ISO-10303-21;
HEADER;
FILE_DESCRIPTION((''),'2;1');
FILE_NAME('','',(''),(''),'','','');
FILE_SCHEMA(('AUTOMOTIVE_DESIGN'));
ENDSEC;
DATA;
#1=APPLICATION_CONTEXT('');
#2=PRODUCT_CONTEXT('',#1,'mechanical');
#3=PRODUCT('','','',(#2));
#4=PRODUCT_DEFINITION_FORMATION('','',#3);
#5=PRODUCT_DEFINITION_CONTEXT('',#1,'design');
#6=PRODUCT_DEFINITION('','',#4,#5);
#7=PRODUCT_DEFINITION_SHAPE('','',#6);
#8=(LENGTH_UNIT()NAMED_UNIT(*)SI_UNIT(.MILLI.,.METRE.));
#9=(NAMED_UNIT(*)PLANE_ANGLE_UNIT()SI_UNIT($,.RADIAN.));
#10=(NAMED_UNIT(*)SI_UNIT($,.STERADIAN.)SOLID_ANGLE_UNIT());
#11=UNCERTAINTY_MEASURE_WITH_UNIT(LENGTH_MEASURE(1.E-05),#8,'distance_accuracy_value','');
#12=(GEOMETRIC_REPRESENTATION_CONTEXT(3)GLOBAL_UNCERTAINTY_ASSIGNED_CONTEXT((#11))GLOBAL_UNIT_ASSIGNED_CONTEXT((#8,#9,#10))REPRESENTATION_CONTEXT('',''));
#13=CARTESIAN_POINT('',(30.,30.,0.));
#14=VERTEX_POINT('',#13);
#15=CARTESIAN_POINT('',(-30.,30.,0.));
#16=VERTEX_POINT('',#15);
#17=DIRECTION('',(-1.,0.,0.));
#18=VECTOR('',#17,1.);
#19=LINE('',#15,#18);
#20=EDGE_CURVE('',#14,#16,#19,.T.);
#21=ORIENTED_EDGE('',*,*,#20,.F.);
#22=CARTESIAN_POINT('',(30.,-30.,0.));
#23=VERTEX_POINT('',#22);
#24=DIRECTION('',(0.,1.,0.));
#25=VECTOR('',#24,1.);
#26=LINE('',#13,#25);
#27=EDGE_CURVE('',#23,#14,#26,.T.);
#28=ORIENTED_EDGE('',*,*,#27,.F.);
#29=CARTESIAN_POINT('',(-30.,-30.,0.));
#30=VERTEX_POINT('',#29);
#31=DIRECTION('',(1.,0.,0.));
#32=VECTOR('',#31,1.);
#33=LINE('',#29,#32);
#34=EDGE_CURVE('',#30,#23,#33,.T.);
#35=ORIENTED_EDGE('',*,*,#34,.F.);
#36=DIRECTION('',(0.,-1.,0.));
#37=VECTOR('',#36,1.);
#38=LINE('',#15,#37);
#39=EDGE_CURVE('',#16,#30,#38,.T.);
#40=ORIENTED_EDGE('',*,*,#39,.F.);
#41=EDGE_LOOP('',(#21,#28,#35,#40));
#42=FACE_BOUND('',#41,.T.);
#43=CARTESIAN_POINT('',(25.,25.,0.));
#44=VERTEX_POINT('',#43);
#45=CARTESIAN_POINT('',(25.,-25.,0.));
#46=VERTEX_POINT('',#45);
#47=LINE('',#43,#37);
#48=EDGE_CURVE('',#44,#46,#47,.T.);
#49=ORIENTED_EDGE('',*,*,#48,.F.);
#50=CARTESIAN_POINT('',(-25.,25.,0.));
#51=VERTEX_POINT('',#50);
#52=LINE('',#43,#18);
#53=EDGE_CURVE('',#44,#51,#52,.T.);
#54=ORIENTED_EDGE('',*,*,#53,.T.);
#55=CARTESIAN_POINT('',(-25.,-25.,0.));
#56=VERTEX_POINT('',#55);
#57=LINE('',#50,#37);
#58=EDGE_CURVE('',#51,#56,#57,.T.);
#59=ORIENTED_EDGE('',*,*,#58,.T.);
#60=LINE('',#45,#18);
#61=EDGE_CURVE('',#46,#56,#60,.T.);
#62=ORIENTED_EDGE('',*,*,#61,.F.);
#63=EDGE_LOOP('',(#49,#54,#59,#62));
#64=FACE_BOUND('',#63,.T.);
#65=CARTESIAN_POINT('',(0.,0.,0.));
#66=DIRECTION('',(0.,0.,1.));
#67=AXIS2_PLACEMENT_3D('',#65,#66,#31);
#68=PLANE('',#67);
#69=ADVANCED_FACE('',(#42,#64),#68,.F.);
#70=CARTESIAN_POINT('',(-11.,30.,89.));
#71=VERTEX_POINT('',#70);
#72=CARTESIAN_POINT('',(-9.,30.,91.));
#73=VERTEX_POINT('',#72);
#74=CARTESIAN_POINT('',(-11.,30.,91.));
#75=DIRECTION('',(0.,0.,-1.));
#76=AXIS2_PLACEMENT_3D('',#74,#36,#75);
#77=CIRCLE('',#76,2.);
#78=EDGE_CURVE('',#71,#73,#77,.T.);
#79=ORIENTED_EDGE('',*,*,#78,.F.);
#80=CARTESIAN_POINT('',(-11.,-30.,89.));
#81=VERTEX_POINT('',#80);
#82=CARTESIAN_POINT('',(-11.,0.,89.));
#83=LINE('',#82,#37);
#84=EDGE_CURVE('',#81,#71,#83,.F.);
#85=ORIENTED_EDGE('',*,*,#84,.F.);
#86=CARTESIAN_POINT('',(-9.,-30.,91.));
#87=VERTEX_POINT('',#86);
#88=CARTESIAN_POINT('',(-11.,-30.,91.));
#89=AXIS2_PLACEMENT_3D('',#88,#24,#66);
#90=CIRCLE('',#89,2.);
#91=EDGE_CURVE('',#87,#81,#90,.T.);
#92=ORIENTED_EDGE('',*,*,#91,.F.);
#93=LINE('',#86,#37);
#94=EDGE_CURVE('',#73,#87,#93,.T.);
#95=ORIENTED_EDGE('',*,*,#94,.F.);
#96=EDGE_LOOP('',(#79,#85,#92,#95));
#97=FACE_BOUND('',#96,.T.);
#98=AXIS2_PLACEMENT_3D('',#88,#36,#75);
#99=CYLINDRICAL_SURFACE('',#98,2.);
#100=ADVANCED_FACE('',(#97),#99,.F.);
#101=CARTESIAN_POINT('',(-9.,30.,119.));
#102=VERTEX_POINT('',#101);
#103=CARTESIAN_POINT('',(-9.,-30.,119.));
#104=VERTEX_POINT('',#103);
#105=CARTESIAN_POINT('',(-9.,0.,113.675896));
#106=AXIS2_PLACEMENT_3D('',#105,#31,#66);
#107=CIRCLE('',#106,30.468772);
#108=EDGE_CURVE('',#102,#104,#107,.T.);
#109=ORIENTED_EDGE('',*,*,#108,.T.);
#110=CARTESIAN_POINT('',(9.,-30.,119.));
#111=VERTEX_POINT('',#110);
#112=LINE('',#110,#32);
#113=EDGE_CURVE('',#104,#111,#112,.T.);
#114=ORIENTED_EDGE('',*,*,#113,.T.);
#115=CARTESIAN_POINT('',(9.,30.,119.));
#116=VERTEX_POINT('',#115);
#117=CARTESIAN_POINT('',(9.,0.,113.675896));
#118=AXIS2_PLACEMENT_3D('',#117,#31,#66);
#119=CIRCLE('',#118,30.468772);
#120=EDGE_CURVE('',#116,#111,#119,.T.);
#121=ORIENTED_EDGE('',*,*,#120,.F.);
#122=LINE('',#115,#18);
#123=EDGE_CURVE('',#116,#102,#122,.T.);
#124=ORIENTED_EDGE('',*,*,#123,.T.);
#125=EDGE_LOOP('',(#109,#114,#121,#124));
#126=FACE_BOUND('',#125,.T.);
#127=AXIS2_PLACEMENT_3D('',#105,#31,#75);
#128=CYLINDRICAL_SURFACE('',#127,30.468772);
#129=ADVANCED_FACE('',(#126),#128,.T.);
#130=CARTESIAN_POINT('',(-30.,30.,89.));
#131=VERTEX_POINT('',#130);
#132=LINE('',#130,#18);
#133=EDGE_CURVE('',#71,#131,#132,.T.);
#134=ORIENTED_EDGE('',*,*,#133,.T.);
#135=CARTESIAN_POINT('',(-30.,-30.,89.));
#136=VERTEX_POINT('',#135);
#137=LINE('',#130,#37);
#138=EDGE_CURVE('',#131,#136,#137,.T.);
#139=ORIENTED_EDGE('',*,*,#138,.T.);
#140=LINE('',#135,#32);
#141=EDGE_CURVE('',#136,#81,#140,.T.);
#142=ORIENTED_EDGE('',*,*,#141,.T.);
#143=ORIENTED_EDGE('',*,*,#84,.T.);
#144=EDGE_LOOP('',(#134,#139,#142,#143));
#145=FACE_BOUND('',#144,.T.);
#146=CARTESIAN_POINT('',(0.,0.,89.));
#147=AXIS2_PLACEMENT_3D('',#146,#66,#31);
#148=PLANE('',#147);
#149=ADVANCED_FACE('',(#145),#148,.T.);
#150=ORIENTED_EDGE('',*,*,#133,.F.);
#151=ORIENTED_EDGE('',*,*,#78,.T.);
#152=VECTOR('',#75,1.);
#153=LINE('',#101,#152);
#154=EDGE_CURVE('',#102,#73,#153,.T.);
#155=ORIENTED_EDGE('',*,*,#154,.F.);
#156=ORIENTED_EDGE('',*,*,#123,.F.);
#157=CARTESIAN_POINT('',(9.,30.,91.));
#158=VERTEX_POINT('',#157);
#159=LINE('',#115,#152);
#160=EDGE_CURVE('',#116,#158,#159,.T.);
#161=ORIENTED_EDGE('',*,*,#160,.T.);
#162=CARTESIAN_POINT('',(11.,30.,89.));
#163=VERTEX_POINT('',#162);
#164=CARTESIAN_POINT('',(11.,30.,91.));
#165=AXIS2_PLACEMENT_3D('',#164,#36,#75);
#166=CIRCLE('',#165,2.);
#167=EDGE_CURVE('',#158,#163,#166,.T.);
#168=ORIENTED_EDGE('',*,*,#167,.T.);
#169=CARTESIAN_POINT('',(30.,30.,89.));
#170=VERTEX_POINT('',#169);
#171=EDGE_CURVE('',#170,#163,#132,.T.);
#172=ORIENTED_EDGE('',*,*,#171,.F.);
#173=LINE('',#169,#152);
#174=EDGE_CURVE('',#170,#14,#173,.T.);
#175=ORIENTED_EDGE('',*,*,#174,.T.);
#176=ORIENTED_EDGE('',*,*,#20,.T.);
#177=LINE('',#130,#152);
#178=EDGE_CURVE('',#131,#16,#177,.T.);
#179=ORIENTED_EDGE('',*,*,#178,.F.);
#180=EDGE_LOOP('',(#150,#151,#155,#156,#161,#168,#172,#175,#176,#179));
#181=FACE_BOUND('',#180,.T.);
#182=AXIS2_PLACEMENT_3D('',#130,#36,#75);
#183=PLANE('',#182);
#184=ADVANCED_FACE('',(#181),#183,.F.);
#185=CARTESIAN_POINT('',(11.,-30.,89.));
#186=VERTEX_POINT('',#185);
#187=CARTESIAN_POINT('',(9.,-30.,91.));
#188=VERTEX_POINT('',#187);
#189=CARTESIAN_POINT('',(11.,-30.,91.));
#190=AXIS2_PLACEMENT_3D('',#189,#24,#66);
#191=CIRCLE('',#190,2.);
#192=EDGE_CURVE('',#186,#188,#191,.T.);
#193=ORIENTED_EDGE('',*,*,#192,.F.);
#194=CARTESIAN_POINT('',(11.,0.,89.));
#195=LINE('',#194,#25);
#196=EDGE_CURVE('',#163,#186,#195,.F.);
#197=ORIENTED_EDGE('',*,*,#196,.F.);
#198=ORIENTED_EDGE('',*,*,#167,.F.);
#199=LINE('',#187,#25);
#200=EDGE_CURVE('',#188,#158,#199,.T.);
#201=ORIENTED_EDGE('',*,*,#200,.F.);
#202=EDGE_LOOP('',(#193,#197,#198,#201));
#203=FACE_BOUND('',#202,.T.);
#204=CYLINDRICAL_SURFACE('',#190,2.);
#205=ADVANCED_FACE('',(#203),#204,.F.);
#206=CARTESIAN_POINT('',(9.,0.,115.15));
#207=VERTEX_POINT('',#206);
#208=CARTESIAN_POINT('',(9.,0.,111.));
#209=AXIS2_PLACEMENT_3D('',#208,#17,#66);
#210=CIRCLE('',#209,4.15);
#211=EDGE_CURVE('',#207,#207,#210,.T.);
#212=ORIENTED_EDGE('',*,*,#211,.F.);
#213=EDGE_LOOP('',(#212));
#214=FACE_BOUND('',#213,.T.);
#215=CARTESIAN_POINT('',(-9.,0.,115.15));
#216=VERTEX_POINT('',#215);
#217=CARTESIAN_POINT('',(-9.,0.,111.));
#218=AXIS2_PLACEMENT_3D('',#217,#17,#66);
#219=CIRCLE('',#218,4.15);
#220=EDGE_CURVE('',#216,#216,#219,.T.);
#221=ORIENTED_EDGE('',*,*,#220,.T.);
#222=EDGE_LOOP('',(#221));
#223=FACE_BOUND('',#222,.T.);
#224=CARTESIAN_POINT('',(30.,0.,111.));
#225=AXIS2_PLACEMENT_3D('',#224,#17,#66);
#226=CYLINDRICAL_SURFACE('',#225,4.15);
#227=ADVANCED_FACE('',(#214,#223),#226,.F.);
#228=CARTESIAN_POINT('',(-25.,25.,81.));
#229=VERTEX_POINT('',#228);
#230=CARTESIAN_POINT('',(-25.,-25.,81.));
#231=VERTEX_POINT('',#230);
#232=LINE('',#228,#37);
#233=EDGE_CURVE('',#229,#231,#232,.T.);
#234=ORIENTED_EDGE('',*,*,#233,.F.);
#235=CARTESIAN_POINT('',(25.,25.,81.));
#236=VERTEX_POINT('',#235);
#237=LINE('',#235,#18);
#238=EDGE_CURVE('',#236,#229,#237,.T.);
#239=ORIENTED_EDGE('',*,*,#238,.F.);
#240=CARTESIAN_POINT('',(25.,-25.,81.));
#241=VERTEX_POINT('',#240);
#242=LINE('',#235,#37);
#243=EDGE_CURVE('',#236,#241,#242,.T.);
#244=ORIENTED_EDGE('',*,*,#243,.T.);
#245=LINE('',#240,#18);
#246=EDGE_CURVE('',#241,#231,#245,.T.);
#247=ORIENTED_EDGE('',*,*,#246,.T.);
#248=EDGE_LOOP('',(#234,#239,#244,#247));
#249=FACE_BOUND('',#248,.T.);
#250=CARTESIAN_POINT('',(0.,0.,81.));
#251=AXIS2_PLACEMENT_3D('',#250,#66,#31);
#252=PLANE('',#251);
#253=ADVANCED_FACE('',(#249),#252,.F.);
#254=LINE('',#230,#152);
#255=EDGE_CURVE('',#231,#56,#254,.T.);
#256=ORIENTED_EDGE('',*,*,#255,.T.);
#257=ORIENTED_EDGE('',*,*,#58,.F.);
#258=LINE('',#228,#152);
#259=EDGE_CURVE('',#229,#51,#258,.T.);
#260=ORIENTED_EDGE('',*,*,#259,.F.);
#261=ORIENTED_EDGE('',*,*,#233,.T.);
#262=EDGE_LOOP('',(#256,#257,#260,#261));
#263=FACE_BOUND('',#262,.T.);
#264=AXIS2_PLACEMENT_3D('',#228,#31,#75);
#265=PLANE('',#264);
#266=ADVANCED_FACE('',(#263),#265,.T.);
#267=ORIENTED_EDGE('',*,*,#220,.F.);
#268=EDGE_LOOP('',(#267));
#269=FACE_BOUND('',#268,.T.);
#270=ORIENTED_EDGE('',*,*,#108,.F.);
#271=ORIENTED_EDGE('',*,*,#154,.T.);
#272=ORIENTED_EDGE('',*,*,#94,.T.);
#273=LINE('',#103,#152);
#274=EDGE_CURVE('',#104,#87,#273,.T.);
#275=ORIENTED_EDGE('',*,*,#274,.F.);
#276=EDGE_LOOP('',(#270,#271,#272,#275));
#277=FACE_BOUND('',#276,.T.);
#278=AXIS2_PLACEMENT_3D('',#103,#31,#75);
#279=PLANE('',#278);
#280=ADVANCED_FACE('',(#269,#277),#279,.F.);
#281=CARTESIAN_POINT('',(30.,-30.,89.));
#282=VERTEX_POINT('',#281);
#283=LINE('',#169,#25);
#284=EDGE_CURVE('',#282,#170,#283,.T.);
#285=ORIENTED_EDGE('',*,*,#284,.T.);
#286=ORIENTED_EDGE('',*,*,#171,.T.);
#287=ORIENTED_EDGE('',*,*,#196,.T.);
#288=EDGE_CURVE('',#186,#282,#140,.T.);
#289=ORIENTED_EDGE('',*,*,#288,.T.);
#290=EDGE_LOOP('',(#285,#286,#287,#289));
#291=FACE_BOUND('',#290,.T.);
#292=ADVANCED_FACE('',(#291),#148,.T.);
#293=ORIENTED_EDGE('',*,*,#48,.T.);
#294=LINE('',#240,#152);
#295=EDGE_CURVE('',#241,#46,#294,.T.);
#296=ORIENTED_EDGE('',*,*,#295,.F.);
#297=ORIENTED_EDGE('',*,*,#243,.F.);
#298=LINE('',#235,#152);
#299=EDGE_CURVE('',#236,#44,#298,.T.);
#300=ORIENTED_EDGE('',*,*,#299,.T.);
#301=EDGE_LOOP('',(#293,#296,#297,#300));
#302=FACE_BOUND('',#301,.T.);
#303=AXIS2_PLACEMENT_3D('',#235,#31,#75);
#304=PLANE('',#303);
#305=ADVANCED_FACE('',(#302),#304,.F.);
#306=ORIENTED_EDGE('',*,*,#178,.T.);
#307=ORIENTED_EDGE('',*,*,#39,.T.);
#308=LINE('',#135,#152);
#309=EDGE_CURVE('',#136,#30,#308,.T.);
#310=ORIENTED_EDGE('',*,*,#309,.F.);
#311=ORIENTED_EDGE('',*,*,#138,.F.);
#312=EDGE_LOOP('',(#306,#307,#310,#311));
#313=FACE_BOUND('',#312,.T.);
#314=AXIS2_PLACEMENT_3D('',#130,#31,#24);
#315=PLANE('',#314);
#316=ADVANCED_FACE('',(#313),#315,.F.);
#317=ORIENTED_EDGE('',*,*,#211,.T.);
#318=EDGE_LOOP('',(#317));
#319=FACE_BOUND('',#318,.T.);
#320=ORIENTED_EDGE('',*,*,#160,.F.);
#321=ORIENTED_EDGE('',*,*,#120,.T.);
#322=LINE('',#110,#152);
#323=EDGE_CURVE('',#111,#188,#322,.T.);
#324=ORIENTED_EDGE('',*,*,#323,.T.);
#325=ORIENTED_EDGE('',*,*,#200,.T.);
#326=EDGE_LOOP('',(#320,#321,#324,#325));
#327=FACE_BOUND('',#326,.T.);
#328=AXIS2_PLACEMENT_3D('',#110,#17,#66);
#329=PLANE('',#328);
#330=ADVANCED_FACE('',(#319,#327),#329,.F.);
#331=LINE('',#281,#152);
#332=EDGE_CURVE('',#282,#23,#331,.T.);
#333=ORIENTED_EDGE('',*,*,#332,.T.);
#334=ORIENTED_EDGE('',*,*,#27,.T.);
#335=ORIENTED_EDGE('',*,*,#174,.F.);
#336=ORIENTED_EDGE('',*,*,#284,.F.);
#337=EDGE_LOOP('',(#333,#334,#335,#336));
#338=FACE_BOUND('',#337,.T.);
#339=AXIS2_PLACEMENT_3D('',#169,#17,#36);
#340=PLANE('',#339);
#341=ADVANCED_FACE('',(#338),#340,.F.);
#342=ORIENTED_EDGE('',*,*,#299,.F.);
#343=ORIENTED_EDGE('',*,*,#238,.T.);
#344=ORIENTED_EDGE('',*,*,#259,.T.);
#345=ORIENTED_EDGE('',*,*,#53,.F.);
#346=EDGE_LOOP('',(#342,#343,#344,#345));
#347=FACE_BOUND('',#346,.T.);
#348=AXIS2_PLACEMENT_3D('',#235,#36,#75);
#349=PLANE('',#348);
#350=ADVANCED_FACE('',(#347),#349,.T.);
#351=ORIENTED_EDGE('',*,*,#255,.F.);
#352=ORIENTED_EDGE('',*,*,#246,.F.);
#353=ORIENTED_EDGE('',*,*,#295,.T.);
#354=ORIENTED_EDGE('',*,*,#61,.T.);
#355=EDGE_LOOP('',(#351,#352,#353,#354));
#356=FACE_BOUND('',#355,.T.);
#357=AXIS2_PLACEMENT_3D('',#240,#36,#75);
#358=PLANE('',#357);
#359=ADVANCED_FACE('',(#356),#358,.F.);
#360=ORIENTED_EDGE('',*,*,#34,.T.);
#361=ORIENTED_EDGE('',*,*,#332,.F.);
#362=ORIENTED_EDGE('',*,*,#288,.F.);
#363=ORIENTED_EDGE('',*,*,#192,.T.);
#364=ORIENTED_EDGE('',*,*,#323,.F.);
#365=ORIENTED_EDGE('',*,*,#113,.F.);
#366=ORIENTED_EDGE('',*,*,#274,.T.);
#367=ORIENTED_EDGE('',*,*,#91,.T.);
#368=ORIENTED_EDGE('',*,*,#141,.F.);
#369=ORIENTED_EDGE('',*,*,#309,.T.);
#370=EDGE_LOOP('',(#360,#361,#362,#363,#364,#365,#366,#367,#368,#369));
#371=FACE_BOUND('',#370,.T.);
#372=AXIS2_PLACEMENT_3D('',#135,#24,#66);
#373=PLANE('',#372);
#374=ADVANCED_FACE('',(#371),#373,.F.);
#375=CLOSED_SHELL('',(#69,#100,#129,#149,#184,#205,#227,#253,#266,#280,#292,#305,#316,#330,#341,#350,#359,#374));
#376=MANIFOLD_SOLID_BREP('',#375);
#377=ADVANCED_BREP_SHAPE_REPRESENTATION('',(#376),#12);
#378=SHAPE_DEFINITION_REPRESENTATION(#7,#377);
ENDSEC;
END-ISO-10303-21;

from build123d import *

# Parameters (mm, degrees)
SKETCH2_W           = 60
SKETCH2_H           = 60
BOSS_EXTRUDE1_DEPTH = 89
SKETCH3_W           = 18
SKETCH3_H           = 60
BOSS_EXTRUDE2_DEPTH = 30
BOSS_EXTRUDE3_DEPTH = 18
FILLET1_R           = 2
SKETCH7_W           = 50
SKETCH7_H           = 50
CUT_EXTRUDE1_DEPTH  = 81
SKETCH8_R           = 4.15
CUT_EXTRUDE2_DEPTH  = 153.311146429


with BuildPart() as part:
    # Sketch2 → Boss-Extrude1 (new body)
    with BuildSketch(Plane.XY):
        Rectangle(SKETCH2_W, SKETCH2_H)
    extrude(amount=BOSS_EXTRUDE1_DEPTH)

    # Sketch3 → Boss-Extrude2 (add)
    with BuildSketch(Plane.XY.offset(89)):
        Rectangle(SKETCH3_W, SKETCH3_H)
    extrude(amount=BOSS_EXTRUDE2_DEPTH)

    # Sketch4 → Boss-Extrude3 (add)
    with BuildSketch(Plane(origin=(9, 0, 0), x_dir=(0, 0, -1), z_dir=(1, 0, 0))):
        with BuildLine():
            Line((-119, -30), (-119, 30))
            ThreePointArc((-119, 30), (-144.144668047, 0), (-119, -30))
        make_face()
    extrude(amount=-BOSS_EXTRUDE3_DEPTH)

    # Fillet1
    fillet1_edges = [part.edges().sort_by_distance(p)[0] for p in [
        (-9, 0, 89),
        (9, 0, 89),
    ]]
    fillet(fillet1_edges, radius=FILLET1_R)

    # Sketch7 → Cut-Extrude1 (cut)
    with BuildSketch(Plane(origin=(0, 0, 0), x_dir=(-1, 0, 0), z_dir=(0, 0, -1))):
        Rectangle(SKETCH7_W, SKETCH7_H)
    extrude(amount=-CUT_EXTRUDE1_DEPTH, mode=Mode.SUBTRACT)

    # Sketch8 → Cut-Extrude2 (cut, through all)
    with BuildSketch(Plane.ZY.offset(9)):
        with Locations((111, 0)):
            Circle(SKETCH8_R)
    extrude(amount=-CUT_EXTRUDE2_DEPTH, mode=Mode.SUBTRACT)


solid = part.part
